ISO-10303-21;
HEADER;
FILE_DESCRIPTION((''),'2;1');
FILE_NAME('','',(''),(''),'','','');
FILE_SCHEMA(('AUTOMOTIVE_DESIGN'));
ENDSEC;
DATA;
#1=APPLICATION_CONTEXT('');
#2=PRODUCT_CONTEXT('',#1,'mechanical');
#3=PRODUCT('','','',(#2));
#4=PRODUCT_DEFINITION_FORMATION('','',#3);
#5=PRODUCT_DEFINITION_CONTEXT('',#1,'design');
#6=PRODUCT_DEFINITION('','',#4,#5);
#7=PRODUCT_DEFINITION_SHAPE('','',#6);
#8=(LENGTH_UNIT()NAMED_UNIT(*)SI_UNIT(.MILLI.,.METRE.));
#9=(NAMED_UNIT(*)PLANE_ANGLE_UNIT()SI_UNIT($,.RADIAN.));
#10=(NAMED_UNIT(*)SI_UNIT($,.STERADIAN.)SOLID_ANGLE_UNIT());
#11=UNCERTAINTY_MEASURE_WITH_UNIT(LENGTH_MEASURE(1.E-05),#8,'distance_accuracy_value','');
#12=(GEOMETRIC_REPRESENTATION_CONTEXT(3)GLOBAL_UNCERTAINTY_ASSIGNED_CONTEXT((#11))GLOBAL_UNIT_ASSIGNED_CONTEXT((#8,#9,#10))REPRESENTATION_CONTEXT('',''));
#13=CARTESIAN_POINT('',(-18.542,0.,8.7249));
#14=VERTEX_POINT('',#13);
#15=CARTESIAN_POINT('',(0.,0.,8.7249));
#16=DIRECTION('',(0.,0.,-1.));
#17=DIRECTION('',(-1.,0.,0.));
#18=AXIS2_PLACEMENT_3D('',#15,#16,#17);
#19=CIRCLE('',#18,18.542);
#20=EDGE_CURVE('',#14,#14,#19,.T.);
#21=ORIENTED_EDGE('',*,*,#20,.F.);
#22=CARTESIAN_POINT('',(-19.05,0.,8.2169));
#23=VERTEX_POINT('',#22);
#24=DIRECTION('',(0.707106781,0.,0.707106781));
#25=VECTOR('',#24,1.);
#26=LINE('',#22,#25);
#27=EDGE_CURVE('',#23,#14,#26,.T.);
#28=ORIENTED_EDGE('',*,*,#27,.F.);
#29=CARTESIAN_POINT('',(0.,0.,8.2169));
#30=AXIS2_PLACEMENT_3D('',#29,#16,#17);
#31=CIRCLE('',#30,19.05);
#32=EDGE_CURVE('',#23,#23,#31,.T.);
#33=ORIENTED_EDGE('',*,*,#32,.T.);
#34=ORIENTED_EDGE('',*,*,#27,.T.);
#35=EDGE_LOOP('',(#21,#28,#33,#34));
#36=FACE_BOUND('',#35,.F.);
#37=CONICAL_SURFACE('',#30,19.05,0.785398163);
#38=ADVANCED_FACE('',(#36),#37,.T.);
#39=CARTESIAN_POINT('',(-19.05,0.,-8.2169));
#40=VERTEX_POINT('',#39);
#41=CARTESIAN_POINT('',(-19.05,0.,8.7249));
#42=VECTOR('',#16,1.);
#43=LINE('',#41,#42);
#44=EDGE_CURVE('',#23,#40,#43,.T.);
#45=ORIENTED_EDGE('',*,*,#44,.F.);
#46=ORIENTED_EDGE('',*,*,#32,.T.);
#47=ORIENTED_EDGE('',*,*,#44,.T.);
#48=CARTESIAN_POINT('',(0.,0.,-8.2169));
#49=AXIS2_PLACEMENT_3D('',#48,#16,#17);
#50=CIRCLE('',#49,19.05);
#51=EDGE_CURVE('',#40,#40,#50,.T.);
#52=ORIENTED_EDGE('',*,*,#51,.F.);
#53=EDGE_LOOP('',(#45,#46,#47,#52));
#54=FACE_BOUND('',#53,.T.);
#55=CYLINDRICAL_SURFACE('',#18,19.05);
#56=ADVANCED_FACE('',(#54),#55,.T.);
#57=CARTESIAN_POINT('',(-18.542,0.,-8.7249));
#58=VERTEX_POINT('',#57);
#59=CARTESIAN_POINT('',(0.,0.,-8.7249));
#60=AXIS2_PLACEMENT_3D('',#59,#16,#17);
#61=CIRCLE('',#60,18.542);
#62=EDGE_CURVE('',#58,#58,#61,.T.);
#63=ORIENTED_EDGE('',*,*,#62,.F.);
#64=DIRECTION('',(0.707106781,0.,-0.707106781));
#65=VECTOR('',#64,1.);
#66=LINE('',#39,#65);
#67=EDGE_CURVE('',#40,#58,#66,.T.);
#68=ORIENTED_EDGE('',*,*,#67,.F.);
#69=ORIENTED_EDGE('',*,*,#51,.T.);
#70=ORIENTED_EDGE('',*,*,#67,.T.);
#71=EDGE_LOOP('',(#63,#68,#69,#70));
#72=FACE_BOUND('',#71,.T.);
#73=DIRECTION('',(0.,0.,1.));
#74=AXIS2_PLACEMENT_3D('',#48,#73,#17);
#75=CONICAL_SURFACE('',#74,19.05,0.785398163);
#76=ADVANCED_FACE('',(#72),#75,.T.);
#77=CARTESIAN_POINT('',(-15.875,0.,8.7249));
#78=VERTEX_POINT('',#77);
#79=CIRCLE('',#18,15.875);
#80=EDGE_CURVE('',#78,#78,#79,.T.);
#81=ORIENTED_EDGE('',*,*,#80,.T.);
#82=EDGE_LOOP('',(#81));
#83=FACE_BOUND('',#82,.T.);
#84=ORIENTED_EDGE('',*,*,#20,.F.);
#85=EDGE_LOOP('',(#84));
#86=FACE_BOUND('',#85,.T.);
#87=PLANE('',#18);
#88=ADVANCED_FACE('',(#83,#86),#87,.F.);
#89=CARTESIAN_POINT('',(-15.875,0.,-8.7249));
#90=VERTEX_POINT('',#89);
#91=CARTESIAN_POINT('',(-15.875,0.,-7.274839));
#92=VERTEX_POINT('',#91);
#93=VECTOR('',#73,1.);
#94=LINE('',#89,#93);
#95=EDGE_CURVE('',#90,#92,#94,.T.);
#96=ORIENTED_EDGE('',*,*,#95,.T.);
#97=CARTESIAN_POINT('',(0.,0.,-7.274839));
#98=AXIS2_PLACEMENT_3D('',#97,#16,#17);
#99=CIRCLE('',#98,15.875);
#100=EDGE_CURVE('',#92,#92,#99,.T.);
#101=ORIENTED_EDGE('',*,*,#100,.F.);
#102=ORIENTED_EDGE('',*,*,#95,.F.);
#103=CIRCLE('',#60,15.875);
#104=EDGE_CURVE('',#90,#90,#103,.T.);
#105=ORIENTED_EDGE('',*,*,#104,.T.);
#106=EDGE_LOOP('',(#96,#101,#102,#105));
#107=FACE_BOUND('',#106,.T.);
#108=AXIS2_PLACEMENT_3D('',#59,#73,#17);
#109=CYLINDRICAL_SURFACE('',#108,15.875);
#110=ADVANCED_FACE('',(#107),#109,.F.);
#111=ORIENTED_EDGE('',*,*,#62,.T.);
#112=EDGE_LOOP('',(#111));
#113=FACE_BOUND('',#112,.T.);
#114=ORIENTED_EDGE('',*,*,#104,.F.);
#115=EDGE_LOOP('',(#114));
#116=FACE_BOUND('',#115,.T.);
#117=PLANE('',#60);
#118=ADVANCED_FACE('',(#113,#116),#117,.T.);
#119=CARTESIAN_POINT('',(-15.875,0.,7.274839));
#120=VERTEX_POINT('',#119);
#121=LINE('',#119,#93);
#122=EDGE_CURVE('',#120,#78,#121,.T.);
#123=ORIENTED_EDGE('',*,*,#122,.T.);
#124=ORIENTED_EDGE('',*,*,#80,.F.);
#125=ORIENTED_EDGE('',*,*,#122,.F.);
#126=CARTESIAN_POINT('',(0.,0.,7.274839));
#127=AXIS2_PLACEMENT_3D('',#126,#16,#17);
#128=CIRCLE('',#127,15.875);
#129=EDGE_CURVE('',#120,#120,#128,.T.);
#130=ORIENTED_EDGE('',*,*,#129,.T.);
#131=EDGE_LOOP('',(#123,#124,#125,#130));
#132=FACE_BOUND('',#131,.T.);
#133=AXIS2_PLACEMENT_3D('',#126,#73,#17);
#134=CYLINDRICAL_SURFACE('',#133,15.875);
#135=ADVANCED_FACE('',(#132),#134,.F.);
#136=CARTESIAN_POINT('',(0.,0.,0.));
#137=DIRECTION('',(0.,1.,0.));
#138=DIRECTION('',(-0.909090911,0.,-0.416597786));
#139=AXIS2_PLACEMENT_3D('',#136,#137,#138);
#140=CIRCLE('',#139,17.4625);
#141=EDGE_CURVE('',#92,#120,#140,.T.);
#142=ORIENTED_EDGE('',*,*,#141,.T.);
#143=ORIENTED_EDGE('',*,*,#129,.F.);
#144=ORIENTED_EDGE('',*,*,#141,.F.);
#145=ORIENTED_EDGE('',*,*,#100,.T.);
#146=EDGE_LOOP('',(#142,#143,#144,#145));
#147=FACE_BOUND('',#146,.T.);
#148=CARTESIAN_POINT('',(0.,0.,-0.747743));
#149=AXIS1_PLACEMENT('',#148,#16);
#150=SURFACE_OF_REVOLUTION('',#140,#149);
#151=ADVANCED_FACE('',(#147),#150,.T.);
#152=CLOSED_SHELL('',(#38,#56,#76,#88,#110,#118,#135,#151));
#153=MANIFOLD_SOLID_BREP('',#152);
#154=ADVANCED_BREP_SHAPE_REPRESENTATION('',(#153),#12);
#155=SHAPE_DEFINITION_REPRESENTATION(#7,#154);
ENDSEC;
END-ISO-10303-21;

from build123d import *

# Parameters (mm, degrees)
F2_SIZE = 0.508


with BuildPart() as f1:
    # F0 (on Front) → F1 (revolve)
    with BuildSketch(Plane.XZ):
        with BuildLine():
            Line((-19.05, 8.7249), (-19.05, -8.7249))
            Line((-19.05, -8.7249), (-15.875, -8.7249))
            Line((-15.875, -8.7249), (-15.875, -7.274839))
            ThreePointArc((-15.875, -7.274839), (-17.4625, 0), (-15.875, 7.274839))
            Line((-15.875, 7.274839), (-15.875, 8.7249))
            Line((-15.875, 8.7249), (-19.05, 8.7249))
        make_face()
    revolve(axis=Axis((0, 0, -0.747743), (0, 0, -1)))

    # F2
    f2_edges = [f1.edges().sort_by_distance(p)[0] for p in [
        (19.05, 0, 8.7249),
        (19.05, 0, -8.7249),
    ]]
    chamfer(f2_edges, length=F2_SIZE)


solid = f1.part
